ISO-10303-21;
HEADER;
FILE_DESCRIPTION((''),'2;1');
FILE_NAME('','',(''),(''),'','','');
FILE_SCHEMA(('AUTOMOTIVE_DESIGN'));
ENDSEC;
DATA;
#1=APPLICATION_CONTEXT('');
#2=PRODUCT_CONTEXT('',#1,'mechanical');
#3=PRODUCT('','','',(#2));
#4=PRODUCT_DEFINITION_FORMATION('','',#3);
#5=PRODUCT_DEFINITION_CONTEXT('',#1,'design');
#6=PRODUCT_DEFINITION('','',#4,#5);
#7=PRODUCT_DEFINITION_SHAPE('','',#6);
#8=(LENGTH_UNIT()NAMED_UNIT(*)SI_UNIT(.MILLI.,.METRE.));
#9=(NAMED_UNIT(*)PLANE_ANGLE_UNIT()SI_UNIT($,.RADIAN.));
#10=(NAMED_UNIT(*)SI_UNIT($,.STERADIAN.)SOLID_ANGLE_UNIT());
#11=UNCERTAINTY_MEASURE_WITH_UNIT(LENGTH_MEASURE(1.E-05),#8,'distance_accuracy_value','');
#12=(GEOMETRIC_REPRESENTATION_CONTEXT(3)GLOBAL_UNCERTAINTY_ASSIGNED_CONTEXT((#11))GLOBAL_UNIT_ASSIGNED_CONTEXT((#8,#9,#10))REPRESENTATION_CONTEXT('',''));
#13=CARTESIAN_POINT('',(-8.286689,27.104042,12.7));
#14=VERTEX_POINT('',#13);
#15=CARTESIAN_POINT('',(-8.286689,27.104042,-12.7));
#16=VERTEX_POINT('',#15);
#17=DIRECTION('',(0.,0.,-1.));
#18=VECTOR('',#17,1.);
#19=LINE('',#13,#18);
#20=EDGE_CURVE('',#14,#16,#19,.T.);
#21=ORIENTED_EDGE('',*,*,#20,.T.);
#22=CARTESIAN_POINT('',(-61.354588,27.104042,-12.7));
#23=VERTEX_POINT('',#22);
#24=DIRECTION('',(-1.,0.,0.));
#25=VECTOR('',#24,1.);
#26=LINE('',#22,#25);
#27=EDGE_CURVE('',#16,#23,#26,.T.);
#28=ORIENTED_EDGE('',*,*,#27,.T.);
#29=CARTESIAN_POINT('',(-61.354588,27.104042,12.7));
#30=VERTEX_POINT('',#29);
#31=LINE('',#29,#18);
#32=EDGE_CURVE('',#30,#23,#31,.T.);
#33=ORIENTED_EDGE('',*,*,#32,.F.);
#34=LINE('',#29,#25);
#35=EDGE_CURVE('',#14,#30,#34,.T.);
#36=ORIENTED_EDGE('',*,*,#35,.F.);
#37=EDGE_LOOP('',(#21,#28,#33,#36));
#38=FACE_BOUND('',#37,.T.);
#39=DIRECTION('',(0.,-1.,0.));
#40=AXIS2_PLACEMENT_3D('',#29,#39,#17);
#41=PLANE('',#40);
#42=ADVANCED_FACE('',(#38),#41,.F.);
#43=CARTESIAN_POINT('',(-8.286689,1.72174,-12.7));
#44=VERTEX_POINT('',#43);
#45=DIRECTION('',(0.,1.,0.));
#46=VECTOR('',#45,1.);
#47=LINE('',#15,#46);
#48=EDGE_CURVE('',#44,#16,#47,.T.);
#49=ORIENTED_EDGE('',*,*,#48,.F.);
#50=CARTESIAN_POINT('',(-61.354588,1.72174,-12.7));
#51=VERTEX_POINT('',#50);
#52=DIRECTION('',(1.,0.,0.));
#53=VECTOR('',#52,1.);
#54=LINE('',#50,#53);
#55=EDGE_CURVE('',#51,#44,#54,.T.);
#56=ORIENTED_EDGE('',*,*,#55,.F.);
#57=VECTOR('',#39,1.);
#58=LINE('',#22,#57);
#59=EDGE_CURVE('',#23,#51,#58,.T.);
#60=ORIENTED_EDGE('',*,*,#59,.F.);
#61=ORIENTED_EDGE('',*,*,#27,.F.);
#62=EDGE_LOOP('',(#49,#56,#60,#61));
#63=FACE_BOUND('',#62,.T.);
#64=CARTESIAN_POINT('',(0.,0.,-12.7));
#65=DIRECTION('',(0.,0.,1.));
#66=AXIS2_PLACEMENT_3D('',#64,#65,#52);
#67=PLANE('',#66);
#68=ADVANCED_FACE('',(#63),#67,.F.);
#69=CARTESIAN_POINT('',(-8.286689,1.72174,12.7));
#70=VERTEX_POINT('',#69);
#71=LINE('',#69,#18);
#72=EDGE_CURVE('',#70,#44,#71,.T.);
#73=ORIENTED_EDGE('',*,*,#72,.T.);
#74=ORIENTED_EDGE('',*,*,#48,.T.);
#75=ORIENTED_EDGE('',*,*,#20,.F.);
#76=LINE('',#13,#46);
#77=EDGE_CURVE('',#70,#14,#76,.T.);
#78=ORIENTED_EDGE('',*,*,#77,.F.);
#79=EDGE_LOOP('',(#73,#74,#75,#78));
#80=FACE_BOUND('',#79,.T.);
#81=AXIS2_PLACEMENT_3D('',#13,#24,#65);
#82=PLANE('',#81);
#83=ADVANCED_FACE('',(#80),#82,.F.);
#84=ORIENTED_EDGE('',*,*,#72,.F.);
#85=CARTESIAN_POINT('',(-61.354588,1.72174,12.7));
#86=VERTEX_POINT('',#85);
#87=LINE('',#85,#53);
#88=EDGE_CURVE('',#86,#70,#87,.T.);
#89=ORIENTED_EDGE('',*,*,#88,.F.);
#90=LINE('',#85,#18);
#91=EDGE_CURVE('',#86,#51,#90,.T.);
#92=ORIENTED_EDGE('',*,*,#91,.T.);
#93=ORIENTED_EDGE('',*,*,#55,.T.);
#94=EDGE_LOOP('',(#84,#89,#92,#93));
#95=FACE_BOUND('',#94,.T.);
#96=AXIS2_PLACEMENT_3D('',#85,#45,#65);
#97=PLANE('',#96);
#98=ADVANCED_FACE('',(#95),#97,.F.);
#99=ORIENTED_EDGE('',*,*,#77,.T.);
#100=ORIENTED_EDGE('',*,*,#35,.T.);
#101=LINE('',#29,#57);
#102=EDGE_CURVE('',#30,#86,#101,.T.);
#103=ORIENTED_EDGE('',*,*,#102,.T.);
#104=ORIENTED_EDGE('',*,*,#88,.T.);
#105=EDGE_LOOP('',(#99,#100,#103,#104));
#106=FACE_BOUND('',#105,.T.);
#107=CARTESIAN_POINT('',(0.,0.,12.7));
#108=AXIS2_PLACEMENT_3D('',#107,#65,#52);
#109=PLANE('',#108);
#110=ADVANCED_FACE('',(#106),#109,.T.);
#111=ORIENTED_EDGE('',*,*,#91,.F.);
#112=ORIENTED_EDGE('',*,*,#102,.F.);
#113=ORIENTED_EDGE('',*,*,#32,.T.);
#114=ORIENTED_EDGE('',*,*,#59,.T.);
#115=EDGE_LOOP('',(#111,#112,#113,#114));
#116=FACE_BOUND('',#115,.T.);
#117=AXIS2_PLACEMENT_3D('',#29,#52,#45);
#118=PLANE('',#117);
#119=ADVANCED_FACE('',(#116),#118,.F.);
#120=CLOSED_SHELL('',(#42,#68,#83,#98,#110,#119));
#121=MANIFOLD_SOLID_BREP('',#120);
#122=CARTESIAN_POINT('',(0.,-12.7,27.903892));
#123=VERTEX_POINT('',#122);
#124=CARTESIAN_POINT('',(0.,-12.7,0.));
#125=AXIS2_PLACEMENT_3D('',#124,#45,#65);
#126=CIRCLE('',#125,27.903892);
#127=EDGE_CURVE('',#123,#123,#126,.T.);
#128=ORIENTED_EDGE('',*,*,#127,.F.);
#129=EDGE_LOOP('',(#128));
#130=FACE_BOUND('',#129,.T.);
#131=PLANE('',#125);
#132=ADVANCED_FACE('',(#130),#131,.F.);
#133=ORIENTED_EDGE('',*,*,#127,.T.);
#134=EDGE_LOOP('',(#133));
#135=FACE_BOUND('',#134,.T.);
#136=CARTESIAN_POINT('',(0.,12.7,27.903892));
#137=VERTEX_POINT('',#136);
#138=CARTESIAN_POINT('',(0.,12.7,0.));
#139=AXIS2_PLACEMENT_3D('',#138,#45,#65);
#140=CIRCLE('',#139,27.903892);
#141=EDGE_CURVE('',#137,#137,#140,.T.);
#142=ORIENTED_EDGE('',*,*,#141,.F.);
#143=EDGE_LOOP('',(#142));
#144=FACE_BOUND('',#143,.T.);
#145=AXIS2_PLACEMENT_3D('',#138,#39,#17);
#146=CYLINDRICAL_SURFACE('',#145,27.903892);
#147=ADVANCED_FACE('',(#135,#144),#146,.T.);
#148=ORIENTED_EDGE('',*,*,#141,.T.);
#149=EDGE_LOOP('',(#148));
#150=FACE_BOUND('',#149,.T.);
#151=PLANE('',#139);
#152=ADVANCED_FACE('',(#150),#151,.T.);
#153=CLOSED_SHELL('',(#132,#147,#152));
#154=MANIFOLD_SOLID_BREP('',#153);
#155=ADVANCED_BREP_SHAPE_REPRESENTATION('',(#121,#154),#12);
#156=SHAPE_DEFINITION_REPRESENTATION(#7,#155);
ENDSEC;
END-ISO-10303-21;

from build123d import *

# Parameters (mm, degrees)
SKETCH1_R           = 27.90389213
BOSS_EXTRUDE1_DEPTH = 12.7
SKETCH2_W           = 53.067899245
SKETCH2_H           = 25.382302614
BOSS_EXTRUDE2_DEPTH = 12.7


with BuildPart() as part:
    # Sketch1 → Boss-Extrude1 (new, symmetric)
    with BuildSketch(Plane(origin=(0, 0, 0), x_dir=(1, 0, 0), z_dir=(0, 1, 0))):
        with Locations(Location((0, 0, 0), (0, 0, 270))):
            Circle(SKETCH1_R)
    extrude(amount=BOSS_EXTRUDE1_DEPTH, both=True)


with BuildPart() as body_2:
    # Sketch2 → Boss-Extrude2 (new, symmetric)
    with BuildSketch(Plane.XY):
        with Locations((-34.820638145, 14.412890899)):
            Rectangle(SKETCH2_W, SKETCH2_H)
    extrude(amount=BOSS_EXTRUDE2_DEPTH, both=True)


solid = Compound([part.part, body_2.part])
